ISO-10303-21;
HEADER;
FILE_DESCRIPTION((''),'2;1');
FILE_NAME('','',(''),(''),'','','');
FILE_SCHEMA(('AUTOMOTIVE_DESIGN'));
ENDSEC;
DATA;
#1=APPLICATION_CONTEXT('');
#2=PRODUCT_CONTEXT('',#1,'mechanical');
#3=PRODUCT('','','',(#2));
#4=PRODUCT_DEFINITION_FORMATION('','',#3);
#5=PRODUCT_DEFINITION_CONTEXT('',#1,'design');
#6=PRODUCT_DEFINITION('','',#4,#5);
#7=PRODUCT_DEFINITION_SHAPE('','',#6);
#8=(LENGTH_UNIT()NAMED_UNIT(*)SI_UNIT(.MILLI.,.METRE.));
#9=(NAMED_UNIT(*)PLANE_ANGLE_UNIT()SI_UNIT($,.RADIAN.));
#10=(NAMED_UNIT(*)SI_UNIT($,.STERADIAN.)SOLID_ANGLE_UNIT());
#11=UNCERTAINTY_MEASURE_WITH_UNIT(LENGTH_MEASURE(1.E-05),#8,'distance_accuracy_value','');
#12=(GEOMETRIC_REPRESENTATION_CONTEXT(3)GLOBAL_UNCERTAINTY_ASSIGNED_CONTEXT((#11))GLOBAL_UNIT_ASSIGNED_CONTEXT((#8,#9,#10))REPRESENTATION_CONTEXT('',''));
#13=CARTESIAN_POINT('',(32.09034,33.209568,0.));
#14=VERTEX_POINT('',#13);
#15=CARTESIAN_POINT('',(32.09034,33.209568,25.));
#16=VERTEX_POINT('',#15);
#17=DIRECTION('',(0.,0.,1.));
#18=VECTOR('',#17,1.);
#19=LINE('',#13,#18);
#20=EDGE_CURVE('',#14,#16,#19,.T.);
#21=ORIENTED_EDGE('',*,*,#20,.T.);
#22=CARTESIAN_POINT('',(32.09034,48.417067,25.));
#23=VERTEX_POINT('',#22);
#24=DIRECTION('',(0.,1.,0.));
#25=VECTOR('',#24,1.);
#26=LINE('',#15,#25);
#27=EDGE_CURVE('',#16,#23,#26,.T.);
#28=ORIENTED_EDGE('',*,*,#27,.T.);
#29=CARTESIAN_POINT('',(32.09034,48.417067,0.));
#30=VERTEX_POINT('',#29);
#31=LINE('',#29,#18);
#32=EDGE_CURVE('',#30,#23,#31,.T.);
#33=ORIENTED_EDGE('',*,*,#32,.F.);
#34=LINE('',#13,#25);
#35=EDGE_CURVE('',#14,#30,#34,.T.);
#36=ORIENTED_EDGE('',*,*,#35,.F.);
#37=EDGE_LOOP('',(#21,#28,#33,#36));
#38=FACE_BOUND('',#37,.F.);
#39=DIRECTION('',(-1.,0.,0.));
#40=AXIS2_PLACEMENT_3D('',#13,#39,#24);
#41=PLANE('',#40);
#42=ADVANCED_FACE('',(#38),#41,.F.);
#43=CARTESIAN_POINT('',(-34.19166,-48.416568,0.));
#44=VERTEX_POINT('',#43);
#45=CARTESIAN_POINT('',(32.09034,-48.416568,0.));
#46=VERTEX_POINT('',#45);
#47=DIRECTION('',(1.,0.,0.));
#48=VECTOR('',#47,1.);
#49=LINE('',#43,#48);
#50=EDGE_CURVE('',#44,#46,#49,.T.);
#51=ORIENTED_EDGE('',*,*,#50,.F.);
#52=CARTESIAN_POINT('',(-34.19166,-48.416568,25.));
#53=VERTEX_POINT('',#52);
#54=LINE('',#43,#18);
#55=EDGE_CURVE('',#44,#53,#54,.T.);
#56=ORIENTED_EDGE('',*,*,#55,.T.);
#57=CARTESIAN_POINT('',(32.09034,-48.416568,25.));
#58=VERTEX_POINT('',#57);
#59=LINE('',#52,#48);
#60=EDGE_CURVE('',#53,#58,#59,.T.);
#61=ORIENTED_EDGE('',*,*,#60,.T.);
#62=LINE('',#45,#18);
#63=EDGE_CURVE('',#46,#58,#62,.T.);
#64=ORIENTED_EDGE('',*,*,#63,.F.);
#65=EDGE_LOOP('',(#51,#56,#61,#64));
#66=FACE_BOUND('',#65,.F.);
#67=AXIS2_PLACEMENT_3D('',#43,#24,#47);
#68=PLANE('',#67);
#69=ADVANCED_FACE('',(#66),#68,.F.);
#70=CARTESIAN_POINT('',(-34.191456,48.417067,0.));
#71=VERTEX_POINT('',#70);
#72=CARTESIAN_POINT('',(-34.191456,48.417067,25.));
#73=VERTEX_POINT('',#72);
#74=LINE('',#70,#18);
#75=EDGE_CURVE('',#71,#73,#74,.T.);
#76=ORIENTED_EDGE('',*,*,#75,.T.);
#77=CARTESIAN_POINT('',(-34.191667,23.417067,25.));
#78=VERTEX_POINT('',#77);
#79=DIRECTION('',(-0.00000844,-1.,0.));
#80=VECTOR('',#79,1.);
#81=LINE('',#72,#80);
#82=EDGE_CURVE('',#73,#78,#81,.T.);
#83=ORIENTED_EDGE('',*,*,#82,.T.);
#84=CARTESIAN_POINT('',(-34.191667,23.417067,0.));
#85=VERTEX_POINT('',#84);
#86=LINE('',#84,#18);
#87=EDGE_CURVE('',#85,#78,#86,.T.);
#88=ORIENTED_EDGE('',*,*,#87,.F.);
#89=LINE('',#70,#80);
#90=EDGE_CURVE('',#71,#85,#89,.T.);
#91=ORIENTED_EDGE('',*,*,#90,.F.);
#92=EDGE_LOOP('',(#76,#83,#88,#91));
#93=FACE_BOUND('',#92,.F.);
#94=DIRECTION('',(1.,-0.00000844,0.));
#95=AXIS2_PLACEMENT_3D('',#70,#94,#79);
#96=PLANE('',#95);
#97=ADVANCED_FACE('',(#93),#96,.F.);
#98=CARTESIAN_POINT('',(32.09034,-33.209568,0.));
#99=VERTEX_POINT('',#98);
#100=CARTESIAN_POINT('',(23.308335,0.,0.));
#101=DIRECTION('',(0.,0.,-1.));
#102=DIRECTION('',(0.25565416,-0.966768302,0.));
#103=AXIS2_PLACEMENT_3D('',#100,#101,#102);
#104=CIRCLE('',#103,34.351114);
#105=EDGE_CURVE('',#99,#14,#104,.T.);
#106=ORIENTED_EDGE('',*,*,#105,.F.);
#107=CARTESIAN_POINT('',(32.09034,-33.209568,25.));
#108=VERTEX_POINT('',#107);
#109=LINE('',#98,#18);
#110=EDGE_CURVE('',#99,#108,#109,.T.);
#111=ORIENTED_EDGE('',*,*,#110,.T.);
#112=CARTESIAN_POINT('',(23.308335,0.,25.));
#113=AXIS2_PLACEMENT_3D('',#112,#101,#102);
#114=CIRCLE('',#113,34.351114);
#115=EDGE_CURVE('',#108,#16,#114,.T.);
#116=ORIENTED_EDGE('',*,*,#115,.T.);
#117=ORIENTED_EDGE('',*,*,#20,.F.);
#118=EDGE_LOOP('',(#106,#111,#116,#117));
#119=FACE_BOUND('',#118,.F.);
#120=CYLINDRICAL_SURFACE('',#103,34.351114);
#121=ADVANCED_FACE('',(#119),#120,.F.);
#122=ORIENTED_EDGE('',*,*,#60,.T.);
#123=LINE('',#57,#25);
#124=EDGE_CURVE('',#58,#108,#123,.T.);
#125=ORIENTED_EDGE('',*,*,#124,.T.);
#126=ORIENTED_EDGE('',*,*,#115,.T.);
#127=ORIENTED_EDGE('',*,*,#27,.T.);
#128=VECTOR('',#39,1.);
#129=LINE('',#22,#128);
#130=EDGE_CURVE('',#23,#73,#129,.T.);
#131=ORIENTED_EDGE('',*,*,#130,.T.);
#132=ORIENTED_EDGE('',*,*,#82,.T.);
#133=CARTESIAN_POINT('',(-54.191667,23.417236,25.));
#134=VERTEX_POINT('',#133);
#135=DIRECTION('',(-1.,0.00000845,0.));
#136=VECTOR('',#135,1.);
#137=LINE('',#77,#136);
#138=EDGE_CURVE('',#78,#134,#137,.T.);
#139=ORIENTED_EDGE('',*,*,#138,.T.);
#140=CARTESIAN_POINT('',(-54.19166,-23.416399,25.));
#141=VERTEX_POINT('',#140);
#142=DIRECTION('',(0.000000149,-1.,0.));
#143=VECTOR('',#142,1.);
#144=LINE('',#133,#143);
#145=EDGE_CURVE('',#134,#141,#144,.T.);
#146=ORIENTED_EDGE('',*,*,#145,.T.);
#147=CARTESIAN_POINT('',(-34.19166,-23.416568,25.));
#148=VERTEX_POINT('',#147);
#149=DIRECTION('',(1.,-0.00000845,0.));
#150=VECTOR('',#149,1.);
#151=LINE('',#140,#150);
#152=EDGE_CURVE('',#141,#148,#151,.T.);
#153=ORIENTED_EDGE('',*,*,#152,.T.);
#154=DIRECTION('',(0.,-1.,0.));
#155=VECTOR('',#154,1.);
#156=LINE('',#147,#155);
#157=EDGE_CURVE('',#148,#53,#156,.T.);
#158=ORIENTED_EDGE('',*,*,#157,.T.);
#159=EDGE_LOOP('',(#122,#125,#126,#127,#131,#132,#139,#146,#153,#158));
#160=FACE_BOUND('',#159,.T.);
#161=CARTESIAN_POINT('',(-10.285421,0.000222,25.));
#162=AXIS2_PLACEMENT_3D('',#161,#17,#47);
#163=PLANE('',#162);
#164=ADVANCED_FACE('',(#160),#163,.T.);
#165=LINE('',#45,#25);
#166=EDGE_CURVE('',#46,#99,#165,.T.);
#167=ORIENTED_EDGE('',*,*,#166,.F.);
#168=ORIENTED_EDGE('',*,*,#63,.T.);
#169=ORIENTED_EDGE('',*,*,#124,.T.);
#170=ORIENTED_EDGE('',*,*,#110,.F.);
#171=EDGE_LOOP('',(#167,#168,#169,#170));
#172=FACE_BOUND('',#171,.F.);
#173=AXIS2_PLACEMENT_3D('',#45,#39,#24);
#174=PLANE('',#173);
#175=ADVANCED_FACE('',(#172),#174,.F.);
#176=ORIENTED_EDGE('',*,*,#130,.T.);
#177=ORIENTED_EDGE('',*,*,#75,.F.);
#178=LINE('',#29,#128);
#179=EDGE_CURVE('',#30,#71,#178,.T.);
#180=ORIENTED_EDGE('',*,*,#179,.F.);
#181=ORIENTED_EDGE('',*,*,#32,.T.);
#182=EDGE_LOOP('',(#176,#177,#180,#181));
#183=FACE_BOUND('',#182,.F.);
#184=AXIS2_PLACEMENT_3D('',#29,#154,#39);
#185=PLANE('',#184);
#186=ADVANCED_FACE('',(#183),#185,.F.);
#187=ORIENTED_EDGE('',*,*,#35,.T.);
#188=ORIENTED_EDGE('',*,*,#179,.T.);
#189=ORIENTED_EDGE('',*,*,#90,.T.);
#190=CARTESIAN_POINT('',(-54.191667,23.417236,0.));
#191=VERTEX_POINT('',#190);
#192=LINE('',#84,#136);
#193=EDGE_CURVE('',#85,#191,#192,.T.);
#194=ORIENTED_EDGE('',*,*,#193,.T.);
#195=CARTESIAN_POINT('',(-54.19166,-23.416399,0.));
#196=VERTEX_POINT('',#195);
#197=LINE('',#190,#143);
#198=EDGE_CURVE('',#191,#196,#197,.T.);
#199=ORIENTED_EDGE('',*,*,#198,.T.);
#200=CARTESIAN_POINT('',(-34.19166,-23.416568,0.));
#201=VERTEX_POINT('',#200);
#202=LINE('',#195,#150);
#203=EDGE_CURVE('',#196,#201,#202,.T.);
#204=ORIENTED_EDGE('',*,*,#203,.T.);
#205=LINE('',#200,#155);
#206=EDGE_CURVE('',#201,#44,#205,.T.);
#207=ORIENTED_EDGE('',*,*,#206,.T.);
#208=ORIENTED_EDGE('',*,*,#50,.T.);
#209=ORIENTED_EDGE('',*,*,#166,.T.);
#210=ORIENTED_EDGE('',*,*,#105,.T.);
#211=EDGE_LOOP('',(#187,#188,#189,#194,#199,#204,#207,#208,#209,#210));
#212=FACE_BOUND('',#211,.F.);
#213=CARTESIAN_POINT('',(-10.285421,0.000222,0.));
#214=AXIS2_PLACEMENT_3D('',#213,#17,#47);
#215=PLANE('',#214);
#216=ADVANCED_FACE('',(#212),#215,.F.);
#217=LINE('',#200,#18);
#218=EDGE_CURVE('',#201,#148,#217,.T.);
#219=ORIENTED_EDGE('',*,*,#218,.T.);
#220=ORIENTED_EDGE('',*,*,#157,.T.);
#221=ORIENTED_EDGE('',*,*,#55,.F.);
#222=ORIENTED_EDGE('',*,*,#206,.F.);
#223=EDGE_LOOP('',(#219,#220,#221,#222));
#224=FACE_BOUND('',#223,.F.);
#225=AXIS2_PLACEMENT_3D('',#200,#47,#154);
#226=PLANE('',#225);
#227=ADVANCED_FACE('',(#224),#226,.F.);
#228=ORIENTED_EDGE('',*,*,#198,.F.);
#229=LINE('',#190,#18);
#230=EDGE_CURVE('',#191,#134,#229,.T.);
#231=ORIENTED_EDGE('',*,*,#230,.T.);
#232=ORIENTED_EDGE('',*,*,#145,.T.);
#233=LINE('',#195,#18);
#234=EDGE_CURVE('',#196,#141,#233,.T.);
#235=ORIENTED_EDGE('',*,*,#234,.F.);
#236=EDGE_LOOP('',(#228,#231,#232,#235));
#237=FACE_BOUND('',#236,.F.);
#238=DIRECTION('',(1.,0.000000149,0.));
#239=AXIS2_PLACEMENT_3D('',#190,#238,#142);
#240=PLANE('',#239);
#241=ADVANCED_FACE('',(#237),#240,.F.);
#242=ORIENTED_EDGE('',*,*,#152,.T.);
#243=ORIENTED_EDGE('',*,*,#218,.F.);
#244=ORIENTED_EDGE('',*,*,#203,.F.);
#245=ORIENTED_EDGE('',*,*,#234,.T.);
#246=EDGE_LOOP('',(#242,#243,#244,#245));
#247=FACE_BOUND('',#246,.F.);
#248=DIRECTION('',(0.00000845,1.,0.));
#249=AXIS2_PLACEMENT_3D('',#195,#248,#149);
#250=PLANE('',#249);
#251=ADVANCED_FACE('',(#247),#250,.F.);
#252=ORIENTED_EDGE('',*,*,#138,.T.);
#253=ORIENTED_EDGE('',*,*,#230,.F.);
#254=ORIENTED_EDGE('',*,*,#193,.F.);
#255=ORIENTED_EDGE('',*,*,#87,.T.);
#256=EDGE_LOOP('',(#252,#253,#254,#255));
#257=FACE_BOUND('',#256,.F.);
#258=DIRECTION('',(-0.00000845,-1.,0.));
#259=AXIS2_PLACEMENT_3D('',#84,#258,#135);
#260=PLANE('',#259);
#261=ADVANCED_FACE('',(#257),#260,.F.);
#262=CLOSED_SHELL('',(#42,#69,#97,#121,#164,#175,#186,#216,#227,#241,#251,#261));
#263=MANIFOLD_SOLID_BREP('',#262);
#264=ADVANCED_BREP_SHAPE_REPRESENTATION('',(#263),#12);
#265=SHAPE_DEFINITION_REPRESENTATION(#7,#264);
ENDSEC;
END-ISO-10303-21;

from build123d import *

# Parameters (mm, degrees)
F1_DEPTH = 25


with BuildPart() as f1:
    # F0 (on Top) → F1 (new body)
    with BuildSketch(Plane.XY):
        with BuildLine():
            Line((32.09034, 33.209568), (32.09034, 48.417067))
            Line((32.09034, 48.417067), (-34.191456, 48.417067))
            Line((-34.191456, 48.417067), (-34.191667, 23.417067))
            Line((-34.191667, 23.417067), (-54.191667, 23.417236))
            Line((-54.191667, 23.417236), (-54.19166, -23.416399))
            Line((-54.19166, -23.416399), (-34.19166, -23.416568))
            Line((-34.19166, -23.416568), (-34.19166, -48.416568))
            Line((-34.19166, -48.416568), (32.09034, -48.416568))
            Line((32.09034, -48.416568), (32.09034, -33.209568))
            ThreePointArc((32.09034, -33.209568), (-11.042779, 0), (32.09034, 33.209568))
        make_face()
    extrude(amount=F1_DEPTH)


solid = f1.part
